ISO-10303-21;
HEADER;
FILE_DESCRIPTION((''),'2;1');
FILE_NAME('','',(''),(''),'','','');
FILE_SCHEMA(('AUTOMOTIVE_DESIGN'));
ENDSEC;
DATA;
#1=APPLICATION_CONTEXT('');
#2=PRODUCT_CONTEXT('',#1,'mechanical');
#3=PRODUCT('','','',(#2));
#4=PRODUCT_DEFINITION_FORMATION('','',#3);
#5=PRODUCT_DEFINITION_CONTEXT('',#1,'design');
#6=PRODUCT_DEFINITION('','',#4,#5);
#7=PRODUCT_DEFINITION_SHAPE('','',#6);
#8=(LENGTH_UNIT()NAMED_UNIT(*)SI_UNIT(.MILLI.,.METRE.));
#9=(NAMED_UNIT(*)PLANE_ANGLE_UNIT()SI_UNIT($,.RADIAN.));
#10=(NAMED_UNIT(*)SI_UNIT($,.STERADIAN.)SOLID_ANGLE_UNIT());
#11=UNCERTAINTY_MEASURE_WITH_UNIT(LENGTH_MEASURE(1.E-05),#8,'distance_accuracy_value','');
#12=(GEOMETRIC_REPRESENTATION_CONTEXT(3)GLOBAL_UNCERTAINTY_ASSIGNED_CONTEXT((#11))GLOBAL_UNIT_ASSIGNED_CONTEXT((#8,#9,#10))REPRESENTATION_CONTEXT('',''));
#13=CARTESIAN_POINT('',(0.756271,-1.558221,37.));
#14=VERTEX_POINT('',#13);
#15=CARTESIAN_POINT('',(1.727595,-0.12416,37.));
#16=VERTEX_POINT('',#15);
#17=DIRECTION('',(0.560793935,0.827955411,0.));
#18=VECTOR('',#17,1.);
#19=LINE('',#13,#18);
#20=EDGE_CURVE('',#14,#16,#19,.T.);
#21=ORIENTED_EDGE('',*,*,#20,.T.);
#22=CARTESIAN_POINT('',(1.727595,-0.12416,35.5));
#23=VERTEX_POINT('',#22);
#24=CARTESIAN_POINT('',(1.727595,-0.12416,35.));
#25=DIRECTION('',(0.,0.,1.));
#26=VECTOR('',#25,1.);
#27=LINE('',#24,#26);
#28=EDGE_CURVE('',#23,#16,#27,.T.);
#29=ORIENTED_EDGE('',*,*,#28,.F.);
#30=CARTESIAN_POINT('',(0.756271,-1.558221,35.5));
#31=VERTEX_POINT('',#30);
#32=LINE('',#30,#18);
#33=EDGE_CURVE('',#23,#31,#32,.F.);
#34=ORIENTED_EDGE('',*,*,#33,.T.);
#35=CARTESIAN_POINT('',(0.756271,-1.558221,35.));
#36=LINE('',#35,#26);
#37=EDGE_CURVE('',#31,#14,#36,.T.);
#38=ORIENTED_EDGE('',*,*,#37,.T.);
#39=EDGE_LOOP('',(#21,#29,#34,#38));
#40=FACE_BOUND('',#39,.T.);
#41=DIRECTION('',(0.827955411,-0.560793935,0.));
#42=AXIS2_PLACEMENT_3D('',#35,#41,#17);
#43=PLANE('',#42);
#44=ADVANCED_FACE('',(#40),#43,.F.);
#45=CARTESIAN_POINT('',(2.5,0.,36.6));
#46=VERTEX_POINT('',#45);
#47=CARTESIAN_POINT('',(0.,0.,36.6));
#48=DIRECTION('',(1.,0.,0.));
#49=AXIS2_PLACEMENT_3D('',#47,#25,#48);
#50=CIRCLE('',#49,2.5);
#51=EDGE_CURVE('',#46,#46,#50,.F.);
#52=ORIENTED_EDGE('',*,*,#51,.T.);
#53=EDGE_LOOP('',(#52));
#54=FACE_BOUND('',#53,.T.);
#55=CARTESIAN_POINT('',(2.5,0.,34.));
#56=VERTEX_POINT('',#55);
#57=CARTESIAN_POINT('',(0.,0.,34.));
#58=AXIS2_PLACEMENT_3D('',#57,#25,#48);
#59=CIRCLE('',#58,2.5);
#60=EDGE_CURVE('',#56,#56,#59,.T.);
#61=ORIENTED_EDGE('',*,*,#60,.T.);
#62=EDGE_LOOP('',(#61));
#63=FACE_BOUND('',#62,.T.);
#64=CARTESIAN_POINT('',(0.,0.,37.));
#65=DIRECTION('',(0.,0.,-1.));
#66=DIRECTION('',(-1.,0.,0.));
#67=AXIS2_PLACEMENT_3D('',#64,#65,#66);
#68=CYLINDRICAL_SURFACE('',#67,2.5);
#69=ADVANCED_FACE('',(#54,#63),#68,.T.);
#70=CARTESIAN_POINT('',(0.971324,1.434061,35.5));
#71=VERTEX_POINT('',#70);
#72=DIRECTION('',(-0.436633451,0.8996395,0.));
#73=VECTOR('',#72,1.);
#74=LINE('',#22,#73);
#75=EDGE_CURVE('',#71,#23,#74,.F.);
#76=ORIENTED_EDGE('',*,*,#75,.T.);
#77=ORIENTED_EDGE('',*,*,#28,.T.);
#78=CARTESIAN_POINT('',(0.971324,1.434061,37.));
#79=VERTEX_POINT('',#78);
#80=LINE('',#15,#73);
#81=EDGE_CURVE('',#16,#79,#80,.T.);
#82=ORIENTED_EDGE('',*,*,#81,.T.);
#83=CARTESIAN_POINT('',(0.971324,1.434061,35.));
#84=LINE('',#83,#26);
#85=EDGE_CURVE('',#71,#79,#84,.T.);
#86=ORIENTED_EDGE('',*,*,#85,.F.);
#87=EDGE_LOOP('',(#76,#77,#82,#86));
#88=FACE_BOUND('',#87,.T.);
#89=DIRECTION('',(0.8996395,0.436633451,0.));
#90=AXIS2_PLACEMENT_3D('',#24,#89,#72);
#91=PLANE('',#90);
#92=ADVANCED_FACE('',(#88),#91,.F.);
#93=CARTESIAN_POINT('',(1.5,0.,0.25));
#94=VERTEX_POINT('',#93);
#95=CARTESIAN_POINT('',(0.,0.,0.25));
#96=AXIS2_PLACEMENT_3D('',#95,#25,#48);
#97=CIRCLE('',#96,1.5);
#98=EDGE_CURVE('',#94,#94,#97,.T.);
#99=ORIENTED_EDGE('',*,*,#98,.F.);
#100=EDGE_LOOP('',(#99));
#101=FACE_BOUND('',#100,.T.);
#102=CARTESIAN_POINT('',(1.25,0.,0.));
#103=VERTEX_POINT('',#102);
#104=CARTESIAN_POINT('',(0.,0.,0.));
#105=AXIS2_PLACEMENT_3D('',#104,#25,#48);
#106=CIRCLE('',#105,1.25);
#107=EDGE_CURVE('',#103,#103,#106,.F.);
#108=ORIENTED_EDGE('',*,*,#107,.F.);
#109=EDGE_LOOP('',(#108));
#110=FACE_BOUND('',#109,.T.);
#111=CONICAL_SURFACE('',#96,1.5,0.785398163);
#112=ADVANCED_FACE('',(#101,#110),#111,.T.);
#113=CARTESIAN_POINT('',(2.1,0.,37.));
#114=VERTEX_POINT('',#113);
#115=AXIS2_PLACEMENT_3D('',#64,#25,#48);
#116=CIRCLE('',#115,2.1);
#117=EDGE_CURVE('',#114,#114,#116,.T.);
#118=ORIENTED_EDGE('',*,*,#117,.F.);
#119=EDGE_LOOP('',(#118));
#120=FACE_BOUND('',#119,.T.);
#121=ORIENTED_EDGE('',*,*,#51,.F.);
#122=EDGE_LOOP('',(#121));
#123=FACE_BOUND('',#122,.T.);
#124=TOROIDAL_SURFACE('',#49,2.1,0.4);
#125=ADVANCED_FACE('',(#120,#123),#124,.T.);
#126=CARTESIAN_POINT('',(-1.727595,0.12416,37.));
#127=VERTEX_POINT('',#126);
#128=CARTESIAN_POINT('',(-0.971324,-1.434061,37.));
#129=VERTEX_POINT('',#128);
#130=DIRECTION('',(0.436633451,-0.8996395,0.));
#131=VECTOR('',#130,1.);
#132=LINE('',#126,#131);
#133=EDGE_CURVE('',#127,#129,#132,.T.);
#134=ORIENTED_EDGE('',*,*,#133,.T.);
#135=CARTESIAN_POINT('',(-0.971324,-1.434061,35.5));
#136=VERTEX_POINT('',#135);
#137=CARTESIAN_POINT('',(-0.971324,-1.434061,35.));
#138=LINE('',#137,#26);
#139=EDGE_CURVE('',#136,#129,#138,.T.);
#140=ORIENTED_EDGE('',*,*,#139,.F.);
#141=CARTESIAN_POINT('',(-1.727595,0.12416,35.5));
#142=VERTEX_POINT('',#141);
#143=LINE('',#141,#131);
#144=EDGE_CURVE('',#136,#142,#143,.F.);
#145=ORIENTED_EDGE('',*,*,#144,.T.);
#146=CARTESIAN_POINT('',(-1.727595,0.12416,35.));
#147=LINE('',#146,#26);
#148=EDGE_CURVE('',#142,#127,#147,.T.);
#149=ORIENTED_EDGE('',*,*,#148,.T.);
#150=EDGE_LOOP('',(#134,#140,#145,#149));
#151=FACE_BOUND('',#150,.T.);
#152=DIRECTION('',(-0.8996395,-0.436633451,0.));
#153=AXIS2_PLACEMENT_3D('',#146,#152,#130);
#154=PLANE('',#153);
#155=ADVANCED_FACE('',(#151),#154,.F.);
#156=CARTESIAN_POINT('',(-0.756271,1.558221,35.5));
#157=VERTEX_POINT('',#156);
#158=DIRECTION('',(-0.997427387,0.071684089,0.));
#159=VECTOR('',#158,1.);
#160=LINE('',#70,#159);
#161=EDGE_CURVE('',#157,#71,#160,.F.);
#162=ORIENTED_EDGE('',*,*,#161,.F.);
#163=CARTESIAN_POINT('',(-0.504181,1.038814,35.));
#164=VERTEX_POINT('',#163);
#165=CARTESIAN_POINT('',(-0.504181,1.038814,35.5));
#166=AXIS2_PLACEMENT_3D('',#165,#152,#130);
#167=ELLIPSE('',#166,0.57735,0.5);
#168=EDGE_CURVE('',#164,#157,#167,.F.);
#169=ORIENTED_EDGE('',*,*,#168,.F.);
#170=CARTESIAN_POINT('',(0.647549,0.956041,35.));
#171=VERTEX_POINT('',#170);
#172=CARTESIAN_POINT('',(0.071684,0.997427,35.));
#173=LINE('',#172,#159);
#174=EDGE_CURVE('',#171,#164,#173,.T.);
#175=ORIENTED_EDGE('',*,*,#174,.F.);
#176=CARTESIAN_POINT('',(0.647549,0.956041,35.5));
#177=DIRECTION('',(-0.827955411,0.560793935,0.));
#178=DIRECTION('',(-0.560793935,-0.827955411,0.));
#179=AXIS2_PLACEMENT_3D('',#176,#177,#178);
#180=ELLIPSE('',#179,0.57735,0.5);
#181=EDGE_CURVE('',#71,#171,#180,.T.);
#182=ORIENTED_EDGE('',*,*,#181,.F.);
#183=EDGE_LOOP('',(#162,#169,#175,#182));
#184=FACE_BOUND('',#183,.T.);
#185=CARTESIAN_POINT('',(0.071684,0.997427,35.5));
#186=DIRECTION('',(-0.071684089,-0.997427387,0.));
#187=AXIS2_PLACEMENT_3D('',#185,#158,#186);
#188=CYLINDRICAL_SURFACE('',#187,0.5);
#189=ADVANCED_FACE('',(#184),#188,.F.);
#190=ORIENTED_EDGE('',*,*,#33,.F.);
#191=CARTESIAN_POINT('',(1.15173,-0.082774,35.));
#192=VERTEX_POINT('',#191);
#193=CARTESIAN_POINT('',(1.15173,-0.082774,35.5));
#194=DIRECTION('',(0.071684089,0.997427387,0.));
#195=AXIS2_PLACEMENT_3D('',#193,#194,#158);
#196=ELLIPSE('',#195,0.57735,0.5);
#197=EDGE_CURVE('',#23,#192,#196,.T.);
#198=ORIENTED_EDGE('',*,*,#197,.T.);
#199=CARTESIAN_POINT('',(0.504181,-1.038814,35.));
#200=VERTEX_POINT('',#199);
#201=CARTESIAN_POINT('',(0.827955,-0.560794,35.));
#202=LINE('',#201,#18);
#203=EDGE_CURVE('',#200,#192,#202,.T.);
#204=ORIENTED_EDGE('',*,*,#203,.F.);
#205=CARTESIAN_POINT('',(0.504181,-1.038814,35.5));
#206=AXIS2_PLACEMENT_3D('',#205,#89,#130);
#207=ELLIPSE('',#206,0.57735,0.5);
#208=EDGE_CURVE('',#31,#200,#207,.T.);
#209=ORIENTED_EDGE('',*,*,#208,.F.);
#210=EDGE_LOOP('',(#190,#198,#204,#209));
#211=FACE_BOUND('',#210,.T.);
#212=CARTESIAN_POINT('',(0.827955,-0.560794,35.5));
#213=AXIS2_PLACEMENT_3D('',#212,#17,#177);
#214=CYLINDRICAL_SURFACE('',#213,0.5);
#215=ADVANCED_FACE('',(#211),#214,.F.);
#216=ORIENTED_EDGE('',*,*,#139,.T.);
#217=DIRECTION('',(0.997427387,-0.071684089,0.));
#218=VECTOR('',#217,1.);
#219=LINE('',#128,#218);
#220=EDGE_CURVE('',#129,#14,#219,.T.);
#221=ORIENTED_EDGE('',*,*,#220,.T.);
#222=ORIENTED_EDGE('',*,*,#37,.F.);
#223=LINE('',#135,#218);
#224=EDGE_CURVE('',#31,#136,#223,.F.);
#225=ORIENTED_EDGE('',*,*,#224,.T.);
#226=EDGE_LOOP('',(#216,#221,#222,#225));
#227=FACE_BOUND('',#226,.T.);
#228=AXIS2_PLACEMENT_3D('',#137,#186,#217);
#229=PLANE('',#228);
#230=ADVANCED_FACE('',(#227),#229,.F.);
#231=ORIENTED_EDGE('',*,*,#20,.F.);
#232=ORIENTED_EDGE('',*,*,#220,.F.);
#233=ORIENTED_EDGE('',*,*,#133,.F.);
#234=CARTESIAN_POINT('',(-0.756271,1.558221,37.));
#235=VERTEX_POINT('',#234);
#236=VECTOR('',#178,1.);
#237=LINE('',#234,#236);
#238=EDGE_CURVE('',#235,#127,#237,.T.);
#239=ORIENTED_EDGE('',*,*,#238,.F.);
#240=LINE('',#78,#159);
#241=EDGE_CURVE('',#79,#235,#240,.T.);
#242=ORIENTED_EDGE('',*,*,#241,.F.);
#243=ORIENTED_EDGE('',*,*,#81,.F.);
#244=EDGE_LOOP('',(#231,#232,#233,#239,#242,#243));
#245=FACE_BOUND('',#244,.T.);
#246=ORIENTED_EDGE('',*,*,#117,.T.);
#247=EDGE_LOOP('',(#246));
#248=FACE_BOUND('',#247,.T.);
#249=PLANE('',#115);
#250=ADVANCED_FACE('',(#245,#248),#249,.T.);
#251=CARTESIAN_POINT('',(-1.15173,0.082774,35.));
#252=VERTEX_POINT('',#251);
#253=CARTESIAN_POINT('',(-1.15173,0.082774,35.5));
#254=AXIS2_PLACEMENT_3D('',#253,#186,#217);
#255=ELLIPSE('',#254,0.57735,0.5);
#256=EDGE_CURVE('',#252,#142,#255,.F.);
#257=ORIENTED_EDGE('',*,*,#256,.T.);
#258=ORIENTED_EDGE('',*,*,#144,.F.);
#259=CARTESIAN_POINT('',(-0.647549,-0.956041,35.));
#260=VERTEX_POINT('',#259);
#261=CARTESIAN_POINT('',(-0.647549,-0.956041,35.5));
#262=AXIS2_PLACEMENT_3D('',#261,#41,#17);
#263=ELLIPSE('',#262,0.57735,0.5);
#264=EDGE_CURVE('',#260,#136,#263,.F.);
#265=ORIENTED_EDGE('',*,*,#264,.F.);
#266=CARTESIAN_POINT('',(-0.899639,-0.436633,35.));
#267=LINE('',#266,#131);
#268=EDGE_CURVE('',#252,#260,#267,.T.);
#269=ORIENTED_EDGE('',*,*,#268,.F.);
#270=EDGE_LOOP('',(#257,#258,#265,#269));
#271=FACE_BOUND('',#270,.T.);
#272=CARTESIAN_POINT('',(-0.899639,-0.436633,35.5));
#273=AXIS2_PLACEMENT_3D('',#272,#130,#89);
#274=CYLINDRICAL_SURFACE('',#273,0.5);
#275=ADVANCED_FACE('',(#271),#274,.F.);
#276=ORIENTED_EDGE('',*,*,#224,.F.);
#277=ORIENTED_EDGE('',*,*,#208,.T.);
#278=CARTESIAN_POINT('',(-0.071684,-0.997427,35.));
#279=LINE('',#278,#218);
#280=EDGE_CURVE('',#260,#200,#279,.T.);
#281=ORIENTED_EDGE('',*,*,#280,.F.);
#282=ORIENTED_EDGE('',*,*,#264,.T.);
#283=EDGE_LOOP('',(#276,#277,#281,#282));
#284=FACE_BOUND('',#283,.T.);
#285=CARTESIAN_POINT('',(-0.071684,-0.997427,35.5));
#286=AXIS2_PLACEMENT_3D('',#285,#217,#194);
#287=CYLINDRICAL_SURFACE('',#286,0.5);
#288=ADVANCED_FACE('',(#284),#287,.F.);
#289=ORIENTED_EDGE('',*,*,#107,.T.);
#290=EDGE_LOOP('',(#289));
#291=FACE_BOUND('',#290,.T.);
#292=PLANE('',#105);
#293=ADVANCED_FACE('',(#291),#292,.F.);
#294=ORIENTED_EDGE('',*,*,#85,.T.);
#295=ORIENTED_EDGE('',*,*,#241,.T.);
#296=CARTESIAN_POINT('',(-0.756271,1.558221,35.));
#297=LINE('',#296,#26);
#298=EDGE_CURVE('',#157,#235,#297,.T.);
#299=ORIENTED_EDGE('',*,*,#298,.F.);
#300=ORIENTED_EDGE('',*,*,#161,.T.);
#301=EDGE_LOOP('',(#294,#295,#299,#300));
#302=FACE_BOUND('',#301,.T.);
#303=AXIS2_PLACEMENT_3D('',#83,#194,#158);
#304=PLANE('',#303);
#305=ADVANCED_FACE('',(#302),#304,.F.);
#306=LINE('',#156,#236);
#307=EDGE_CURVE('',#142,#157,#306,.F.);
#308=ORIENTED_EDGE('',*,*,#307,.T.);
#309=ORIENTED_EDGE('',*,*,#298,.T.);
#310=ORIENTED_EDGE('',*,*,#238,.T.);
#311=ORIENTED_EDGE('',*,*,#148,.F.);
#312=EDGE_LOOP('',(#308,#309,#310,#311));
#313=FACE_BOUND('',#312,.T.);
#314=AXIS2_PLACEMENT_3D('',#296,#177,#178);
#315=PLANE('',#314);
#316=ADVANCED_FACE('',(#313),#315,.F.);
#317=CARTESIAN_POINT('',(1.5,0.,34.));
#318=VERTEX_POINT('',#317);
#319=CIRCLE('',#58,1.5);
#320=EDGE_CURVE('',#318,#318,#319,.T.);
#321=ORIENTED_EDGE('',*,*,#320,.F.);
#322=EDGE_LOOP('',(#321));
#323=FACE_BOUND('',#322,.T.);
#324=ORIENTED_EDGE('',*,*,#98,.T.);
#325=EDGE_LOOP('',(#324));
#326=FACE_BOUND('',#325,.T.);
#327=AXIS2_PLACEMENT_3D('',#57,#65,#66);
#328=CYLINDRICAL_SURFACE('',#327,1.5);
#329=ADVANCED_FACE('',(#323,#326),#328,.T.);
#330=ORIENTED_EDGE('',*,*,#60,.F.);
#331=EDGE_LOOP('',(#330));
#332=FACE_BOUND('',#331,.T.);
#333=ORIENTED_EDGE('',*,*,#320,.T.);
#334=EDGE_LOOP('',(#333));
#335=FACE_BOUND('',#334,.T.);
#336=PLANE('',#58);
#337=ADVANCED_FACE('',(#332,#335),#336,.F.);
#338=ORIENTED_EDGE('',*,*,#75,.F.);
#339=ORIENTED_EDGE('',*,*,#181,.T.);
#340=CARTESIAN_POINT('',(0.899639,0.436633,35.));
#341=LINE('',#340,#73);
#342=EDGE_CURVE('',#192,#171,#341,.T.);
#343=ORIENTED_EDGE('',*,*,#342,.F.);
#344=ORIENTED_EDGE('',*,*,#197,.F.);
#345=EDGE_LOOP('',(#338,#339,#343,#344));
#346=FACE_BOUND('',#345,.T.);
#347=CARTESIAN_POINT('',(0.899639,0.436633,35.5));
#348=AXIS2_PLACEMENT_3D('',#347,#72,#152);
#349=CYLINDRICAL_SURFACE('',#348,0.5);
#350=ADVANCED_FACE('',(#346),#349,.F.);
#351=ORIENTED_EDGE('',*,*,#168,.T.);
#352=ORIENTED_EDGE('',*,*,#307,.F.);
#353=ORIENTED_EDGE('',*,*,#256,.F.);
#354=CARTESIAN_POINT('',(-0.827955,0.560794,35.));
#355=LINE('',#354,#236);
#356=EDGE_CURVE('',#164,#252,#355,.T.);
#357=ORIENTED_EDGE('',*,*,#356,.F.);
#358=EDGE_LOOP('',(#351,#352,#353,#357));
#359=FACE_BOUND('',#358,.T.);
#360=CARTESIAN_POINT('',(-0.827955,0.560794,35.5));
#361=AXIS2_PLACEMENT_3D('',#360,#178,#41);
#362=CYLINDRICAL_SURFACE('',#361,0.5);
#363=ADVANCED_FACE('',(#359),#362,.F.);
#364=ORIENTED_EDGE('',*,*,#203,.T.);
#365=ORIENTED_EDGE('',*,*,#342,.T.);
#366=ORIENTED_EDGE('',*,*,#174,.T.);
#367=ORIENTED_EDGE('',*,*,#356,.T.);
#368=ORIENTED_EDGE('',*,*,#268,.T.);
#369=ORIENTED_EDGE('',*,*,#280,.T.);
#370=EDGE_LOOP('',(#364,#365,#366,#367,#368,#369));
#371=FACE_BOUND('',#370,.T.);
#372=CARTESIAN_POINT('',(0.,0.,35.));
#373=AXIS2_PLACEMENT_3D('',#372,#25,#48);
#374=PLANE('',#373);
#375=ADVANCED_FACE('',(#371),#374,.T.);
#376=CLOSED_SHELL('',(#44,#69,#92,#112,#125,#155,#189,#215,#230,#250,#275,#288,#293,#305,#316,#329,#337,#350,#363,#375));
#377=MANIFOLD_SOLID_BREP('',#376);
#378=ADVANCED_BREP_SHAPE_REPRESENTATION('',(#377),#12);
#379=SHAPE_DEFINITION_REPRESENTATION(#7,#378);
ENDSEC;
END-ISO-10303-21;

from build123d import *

# Parameters (mm, degrees)
SKETCH1_R           = 1.5
BOSS_EXTRUDE1_DEPTH = 34
SKETCH2_R           = 2.5
BOSS_EXTRUDE2_DEPTH = 3
CUT_EXTRUDE1_DEPTH  = 2
FILLET1_R           = 0.4
CHAMFER1_SIZE       = 0.25
FILLET2_R           = 0.5


with BuildPart() as part:
    # Sketch1 → Boss-Extrude1 (new body)
    with BuildSketch(Plane.XY):
        Circle(SKETCH1_R)
    extrude(amount=BOSS_EXTRUDE1_DEPTH)

    # Sketch2 → Boss-Extrude2 (add)
    with BuildSketch(Plane.XY.offset(34)):
        Circle(SKETCH2_R)
    extrude(amount=BOSS_EXTRUDE2_DEPTH)

    # Sketch3 → Cut-Extrude1 (cut)
    with BuildSketch(Plane.XY.offset(37)):
        Polygon((1.72759491, -0.124160484), (0.971323588, 1.434060838), (-0.756271322, 1.558221322), (-1.72759491, 0.124160484), (-0.971323588, -1.434060838), (0.756271322, -1.558221322), align=None)
    extrude(amount=-CUT_EXTRUDE1_DEPTH, mode=Mode.SUBTRACT)

    # Fillet1
    fillet1_edges = [part.edges().sort_by_distance(p)[0] for p in [
        (-2.5, 0, 37),
    ]]
    fillet(fillet1_edges, radius=FILLET1_R)

    # Chamfer1
    chamfer1_edges = [part.edges().sort_by_distance(p)[0] for p in [
        (-1.5, 0, 0),
    ]]
    chamfer(chamfer1_edges, length=CHAMFER1_SIZE)

    # Fillet2
    fillet2_edges = [part.edges().sort_by_distance(p)[0] for p in [
        (1.241933116, -0.841190903, 35),
        (-0.107526133, -1.49614108, 35),
        (-1.349459249, -0.654950177, 35),
        (-1.241933116, 0.841190903, 35),
        (0.107526133, 1.49614108, 35),
        (1.349459249, 0.654950177, 35),
    ]]
    fillet(fillet2_edges, radius=FILLET2_R)


solid = part.part
